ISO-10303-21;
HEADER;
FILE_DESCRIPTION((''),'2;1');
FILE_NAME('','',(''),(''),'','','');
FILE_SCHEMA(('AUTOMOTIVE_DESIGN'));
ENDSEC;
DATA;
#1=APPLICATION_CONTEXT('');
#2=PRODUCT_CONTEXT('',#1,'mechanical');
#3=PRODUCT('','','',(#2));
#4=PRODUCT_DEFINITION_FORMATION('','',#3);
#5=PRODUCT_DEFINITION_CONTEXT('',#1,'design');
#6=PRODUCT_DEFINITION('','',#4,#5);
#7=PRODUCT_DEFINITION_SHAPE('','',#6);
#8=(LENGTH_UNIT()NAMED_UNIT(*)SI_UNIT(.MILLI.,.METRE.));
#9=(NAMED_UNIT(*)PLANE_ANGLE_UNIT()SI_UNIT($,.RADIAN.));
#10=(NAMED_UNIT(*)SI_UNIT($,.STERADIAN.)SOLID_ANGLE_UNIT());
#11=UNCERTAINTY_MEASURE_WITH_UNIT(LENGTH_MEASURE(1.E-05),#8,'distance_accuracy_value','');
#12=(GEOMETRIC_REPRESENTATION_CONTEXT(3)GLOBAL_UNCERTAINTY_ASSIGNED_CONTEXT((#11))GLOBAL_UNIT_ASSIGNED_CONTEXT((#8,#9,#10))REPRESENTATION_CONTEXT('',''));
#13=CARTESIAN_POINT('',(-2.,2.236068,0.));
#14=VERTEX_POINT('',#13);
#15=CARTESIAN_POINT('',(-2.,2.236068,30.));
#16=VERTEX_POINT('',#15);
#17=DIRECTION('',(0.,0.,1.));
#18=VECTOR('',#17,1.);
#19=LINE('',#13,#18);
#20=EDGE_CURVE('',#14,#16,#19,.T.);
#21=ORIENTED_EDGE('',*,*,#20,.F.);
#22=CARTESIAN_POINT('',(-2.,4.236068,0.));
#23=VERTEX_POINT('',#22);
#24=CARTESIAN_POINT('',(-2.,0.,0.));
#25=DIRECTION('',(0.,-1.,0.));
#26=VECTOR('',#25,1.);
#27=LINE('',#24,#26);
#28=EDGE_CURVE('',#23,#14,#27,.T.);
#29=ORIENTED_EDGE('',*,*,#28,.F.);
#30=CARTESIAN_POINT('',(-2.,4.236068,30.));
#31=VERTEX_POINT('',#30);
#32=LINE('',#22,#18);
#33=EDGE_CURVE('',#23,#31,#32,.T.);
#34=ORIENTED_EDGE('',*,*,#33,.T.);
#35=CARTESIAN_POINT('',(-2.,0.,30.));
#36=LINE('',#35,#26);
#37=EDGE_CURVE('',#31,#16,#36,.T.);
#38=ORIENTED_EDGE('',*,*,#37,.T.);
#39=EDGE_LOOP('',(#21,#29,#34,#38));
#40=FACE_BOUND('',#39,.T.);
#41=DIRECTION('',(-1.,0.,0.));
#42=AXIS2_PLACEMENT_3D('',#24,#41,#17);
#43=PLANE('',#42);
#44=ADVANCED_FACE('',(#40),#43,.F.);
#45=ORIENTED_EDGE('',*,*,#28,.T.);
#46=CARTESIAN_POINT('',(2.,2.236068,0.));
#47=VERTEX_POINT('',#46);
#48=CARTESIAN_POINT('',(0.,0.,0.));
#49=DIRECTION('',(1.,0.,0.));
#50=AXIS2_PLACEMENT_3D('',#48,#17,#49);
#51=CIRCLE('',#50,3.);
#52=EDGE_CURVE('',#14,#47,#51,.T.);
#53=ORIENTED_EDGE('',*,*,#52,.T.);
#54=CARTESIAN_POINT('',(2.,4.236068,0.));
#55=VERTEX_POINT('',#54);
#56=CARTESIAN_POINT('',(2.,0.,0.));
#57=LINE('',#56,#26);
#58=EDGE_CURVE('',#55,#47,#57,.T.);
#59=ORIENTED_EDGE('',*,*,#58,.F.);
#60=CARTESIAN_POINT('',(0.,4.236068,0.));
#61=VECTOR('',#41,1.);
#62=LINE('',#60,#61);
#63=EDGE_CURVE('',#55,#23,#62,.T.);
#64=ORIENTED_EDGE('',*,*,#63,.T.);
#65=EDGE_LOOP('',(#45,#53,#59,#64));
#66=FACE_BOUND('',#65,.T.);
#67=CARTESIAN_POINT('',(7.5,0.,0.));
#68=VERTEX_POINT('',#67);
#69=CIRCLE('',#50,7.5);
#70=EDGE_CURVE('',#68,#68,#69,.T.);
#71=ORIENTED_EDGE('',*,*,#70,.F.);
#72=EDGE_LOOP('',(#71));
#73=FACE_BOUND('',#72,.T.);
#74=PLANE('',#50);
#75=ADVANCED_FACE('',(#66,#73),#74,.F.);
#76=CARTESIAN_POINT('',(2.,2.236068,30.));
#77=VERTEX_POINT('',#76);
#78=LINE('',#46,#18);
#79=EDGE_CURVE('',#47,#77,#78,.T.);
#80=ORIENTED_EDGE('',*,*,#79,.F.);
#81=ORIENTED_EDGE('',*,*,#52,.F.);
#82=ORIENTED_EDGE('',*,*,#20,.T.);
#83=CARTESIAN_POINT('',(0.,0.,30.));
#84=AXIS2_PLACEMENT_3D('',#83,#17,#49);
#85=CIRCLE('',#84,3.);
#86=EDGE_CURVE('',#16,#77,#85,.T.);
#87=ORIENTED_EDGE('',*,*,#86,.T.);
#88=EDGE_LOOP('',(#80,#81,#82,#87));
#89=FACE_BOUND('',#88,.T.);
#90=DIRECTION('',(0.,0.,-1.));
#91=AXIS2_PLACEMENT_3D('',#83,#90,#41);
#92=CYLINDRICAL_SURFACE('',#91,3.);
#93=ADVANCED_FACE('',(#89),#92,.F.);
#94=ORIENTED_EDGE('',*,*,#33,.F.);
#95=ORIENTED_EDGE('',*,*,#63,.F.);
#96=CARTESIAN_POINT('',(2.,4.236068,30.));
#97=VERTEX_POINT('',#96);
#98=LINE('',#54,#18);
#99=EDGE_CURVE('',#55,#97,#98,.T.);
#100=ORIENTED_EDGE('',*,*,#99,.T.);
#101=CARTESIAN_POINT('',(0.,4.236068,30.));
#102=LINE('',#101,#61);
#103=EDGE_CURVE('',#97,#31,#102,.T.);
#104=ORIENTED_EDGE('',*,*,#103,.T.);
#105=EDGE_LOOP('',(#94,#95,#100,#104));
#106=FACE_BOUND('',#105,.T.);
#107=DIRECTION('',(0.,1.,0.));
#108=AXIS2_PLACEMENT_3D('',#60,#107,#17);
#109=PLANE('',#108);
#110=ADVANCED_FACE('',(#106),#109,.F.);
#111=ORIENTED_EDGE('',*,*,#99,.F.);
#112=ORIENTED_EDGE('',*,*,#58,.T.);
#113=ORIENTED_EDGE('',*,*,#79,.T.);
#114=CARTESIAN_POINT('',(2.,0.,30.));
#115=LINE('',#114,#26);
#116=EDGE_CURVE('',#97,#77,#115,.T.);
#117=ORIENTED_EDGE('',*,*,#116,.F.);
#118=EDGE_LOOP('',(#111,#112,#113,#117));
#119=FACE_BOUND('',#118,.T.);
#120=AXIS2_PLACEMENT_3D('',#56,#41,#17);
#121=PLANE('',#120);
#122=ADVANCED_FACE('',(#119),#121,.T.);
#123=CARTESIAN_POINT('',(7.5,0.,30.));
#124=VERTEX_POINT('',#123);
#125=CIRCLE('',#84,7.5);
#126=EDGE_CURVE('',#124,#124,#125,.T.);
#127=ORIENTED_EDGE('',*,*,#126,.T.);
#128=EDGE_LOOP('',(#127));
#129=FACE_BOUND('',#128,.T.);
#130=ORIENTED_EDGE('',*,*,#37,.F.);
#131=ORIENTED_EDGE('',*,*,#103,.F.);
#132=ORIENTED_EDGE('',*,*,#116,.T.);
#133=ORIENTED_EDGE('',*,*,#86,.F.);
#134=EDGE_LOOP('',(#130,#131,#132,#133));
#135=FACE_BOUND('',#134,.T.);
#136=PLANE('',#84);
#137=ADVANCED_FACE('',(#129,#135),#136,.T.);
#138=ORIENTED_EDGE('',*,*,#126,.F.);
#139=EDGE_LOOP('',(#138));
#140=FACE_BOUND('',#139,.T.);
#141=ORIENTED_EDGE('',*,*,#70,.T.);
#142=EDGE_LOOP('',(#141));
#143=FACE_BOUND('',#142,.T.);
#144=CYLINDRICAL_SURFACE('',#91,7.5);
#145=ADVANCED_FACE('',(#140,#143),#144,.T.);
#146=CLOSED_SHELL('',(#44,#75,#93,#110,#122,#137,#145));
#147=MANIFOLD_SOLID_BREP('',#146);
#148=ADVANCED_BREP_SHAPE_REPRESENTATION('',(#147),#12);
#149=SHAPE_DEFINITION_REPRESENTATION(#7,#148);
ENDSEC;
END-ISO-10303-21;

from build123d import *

# Parameters (mm, degrees)
SKETCH1_R           = 7.5
SKETCH1_R_2         = 3
BOSS_EXTRUDE1_DEPTH = 30
CUT_EXTRUDE1_DEPTH  = 32.819805153


with BuildPart() as part:
    # Sketch1 → Boss-Extrude1 (new body)
    with BuildSketch(Plane.XY):
        Circle(SKETCH1_R)
        Circle(SKETCH1_R_2, mode=Mode.SUBTRACT)
    extrude(amount=BOSS_EXTRUDE1_DEPTH)

    # Sketch2 → Cut-Extrude1 (cut, through all)
    with BuildSketch(Plane.XY.offset(30)):
        with BuildLine():
            ThreePointArc((-2, 2.236067977), (-1.070466269, 2.802517077), (0, 3))
            Line((0, 3), (0, 4.236067977))
            Line((0, 4.236067977), (-2, 4.236067977))
            Line((-2, 4.236067977), (-2, 2.236067977))
        make_face()
        with BuildLine():
            Line((0, 4.236067977), (0, 3))
            ThreePointArc((0, 3), (1.070466269, 2.802517077), (2, 2.236067977))
            Line((2, 2.236067977), (2, 4.236067977))
            Line((2, 4.236067977), (0, 4.236067977))
        make_face()
    extrude(amount=-CUT_EXTRUDE1_DEPTH, mode=Mode.SUBTRACT)


solid = part.part
